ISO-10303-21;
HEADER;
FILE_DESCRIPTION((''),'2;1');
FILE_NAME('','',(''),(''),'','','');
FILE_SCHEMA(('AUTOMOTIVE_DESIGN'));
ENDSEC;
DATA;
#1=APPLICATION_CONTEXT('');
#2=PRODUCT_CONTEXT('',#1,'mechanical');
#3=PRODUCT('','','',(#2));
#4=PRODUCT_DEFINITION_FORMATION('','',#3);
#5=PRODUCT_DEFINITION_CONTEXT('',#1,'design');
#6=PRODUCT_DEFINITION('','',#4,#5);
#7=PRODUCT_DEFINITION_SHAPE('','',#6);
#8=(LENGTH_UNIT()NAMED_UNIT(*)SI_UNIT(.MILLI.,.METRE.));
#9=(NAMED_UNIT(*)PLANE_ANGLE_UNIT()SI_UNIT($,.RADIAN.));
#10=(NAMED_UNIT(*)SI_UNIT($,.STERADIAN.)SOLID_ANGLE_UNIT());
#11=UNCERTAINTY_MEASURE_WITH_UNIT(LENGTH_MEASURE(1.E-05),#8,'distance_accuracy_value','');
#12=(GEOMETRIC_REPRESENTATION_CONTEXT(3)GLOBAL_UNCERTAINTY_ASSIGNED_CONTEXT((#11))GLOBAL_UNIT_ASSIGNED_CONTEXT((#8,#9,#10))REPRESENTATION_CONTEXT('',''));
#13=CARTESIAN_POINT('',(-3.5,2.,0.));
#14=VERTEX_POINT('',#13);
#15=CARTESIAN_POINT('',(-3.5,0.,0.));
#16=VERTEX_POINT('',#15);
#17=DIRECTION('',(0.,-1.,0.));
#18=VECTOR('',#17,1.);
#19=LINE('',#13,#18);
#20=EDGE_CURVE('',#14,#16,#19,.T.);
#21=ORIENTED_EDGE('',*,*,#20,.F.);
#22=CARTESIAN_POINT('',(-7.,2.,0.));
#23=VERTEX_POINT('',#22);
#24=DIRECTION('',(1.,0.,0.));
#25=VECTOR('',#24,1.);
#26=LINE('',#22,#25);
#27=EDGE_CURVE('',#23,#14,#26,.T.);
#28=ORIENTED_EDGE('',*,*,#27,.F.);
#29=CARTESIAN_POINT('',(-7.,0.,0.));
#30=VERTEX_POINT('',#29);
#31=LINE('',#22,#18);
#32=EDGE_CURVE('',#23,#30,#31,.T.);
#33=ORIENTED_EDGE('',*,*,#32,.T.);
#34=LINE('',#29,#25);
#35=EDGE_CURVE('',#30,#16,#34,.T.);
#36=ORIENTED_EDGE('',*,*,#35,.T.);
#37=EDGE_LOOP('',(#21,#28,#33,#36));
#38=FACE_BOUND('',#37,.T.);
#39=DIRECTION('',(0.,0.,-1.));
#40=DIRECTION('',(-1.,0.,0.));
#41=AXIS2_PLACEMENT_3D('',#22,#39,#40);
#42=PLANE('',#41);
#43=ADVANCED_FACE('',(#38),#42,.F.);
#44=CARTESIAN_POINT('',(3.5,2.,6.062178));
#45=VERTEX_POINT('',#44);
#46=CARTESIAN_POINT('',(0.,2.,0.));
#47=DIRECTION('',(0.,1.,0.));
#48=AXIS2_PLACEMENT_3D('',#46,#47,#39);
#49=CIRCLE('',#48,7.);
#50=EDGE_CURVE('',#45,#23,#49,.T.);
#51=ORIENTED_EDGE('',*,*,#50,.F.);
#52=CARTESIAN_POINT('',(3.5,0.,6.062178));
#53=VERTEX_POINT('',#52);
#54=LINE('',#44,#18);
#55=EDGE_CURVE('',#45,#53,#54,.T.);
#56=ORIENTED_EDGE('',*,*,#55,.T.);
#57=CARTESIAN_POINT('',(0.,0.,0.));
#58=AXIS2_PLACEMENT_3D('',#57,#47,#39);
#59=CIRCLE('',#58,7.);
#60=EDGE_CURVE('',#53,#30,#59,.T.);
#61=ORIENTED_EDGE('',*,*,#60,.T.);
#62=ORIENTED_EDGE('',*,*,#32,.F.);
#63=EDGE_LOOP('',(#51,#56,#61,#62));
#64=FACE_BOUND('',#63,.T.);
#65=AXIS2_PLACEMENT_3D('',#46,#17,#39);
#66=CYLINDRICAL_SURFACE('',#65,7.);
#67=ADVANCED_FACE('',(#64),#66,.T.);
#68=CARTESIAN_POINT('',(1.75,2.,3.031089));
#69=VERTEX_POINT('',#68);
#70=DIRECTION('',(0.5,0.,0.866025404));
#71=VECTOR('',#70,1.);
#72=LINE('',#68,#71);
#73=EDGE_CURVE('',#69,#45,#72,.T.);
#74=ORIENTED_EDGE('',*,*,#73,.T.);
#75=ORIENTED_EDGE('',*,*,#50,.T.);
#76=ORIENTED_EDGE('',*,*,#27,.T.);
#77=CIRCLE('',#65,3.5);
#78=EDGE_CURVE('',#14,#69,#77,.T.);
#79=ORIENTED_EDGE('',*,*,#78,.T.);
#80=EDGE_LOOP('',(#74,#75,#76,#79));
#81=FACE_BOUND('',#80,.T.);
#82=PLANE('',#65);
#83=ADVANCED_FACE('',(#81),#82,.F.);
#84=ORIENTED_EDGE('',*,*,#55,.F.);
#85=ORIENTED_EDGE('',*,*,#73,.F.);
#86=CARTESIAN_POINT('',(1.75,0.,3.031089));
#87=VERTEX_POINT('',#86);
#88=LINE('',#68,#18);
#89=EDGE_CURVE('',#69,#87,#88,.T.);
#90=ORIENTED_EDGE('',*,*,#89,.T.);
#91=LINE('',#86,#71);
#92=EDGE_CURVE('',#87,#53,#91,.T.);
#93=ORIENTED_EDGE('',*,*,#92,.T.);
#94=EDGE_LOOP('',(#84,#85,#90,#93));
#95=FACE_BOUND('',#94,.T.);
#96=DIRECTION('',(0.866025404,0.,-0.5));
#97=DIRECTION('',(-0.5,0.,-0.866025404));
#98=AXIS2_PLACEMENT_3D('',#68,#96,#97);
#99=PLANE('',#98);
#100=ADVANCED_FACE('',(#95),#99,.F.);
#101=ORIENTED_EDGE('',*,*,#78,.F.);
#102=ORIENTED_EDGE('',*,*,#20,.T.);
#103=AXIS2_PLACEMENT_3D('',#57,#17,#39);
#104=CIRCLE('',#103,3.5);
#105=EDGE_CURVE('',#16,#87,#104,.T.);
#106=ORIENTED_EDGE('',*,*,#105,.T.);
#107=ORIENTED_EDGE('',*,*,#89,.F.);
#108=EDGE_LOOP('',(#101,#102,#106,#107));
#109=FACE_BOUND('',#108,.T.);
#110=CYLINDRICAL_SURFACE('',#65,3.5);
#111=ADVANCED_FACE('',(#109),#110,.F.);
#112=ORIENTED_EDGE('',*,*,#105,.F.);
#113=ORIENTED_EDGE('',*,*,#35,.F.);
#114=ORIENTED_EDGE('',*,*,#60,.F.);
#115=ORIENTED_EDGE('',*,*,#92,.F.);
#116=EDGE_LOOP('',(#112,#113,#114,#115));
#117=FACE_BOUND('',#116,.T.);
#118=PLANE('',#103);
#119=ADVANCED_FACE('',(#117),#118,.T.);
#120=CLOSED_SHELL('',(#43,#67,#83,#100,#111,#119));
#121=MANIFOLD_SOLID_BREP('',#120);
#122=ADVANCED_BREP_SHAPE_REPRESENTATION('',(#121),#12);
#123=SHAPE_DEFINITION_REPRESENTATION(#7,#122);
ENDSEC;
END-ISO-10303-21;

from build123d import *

# Parameters (mm, degrees)
BOSS_EXTRUDE1_DEPTH = 2


with BuildPart() as part:
    # Sketch1 → Boss-Extrude1 (new body)
    with BuildSketch(Plane(origin=(0, 0, 0), x_dir=(1, 0, 0), z_dir=(0, 1, 0))):
        with BuildLine():
            Line((-7, 0), (-3.5, 0))
            ThreePointArc((-3.5, 0), (1.75, 3.031088913), (1.75, -3.031088913))
            Line((1.75, -3.031088913), (3.5, -6.062177826))
            ThreePointArc((3.5, -6.062177826), (3.5, 6.062177826), (-7, 0))
        make_face()
    extrude(amount=BOSS_EXTRUDE1_DEPTH)


solid = part.part
